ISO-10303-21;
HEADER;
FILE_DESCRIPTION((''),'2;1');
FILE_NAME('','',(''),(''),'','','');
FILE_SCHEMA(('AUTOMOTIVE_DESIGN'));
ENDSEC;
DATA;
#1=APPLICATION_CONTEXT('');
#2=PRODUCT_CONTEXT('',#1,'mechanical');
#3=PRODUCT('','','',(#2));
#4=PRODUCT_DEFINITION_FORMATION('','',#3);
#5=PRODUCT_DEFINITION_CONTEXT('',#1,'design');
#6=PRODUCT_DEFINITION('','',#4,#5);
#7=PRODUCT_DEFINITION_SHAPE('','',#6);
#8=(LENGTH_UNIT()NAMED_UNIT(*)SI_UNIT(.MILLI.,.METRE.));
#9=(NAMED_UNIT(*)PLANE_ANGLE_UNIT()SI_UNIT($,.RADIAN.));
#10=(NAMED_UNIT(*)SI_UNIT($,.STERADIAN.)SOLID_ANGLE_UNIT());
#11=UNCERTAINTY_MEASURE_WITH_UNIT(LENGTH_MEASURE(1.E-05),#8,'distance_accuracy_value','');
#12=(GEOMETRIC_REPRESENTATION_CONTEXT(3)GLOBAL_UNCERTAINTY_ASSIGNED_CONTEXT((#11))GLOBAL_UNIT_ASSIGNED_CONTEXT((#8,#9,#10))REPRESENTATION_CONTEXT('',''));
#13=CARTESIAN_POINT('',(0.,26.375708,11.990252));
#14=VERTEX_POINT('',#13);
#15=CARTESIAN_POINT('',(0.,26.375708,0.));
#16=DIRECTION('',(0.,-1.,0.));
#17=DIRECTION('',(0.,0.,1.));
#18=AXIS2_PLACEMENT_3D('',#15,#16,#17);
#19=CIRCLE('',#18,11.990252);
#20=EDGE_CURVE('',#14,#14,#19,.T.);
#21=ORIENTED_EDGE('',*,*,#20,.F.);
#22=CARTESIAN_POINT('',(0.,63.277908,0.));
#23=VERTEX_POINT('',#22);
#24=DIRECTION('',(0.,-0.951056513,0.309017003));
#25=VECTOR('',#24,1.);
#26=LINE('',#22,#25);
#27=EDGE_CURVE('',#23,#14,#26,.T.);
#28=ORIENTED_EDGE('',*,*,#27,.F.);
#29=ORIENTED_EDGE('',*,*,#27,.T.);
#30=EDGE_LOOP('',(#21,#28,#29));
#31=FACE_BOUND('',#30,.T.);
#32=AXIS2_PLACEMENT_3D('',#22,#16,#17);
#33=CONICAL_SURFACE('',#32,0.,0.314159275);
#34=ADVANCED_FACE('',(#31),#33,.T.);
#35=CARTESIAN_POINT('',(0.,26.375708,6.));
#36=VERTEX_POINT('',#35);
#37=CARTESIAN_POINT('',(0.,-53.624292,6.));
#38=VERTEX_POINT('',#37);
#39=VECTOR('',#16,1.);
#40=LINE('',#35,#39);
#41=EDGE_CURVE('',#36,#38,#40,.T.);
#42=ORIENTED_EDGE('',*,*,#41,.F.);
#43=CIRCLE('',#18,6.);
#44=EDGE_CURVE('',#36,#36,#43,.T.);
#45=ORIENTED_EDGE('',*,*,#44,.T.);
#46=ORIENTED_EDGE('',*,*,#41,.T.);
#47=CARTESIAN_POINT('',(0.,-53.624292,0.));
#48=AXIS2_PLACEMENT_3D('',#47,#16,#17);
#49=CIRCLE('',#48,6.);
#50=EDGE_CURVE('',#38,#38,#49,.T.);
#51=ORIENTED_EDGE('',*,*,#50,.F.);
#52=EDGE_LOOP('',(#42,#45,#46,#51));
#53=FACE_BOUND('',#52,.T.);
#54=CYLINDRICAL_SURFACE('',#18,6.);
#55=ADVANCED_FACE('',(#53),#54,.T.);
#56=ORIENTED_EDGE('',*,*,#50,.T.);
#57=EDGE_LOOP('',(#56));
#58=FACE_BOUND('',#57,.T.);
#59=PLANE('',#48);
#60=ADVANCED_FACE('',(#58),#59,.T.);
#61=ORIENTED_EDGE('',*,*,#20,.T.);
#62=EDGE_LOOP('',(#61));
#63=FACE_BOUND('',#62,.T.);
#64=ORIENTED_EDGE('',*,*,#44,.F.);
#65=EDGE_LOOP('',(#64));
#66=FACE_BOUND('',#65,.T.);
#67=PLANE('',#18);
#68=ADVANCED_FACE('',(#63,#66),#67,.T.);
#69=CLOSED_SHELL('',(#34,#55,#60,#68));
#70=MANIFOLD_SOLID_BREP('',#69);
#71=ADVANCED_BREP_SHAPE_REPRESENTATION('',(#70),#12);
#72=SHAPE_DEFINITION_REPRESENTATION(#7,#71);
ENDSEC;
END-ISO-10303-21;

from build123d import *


with BuildPart() as f1:
    # F0 (on Right) → F1 (revolve)
    with BuildSketch(Plane.YZ):
        Polygon((26.375708, 6), (-53.624292, 6), (-53.624292, 0), (63.277908, 0), (26.375708, 11.990252), align=None)
    revolve(axis=Axis((0, 4.826808, 0), (0, -1, 0)))


solid = f1.part
